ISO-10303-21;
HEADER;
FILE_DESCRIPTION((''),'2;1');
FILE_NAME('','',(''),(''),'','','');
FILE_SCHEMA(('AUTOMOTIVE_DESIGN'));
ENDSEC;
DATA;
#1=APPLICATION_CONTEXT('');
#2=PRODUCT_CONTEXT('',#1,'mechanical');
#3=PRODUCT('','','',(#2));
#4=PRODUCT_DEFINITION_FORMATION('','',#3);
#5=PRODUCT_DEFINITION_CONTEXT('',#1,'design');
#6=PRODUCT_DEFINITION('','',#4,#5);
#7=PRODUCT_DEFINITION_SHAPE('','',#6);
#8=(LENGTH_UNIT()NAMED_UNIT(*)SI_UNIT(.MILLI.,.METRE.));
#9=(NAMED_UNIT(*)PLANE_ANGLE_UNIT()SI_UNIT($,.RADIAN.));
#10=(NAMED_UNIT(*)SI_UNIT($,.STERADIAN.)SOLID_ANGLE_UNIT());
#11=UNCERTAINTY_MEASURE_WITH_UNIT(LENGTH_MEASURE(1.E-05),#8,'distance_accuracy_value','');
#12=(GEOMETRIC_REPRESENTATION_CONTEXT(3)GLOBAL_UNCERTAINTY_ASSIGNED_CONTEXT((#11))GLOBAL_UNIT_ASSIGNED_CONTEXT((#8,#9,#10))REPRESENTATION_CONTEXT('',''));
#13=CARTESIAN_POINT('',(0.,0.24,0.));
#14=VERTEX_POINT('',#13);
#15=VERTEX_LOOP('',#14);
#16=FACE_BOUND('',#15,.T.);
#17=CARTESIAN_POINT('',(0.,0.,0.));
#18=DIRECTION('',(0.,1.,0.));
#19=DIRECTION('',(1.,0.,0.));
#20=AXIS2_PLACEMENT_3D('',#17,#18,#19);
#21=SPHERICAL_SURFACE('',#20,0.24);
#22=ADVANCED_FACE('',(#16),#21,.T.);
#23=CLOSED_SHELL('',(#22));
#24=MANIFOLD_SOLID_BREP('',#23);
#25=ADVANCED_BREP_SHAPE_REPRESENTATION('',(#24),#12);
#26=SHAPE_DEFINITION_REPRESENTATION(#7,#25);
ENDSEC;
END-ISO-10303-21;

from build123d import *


with BuildPart() as part:
    # Sketch1 → Revolve1 (revolve)
    with BuildSketch(Plane.XY):
        with BuildLine():
            Line((0, 0.24), (0, -0.24))
            ThreePointArc((0, -0.24), (0.24, 0), (0, 0.24))
        make_face()
    revolve(axis=Axis((0, 0.95096652, 0), (0, -1, 0)))


solid = part.part
